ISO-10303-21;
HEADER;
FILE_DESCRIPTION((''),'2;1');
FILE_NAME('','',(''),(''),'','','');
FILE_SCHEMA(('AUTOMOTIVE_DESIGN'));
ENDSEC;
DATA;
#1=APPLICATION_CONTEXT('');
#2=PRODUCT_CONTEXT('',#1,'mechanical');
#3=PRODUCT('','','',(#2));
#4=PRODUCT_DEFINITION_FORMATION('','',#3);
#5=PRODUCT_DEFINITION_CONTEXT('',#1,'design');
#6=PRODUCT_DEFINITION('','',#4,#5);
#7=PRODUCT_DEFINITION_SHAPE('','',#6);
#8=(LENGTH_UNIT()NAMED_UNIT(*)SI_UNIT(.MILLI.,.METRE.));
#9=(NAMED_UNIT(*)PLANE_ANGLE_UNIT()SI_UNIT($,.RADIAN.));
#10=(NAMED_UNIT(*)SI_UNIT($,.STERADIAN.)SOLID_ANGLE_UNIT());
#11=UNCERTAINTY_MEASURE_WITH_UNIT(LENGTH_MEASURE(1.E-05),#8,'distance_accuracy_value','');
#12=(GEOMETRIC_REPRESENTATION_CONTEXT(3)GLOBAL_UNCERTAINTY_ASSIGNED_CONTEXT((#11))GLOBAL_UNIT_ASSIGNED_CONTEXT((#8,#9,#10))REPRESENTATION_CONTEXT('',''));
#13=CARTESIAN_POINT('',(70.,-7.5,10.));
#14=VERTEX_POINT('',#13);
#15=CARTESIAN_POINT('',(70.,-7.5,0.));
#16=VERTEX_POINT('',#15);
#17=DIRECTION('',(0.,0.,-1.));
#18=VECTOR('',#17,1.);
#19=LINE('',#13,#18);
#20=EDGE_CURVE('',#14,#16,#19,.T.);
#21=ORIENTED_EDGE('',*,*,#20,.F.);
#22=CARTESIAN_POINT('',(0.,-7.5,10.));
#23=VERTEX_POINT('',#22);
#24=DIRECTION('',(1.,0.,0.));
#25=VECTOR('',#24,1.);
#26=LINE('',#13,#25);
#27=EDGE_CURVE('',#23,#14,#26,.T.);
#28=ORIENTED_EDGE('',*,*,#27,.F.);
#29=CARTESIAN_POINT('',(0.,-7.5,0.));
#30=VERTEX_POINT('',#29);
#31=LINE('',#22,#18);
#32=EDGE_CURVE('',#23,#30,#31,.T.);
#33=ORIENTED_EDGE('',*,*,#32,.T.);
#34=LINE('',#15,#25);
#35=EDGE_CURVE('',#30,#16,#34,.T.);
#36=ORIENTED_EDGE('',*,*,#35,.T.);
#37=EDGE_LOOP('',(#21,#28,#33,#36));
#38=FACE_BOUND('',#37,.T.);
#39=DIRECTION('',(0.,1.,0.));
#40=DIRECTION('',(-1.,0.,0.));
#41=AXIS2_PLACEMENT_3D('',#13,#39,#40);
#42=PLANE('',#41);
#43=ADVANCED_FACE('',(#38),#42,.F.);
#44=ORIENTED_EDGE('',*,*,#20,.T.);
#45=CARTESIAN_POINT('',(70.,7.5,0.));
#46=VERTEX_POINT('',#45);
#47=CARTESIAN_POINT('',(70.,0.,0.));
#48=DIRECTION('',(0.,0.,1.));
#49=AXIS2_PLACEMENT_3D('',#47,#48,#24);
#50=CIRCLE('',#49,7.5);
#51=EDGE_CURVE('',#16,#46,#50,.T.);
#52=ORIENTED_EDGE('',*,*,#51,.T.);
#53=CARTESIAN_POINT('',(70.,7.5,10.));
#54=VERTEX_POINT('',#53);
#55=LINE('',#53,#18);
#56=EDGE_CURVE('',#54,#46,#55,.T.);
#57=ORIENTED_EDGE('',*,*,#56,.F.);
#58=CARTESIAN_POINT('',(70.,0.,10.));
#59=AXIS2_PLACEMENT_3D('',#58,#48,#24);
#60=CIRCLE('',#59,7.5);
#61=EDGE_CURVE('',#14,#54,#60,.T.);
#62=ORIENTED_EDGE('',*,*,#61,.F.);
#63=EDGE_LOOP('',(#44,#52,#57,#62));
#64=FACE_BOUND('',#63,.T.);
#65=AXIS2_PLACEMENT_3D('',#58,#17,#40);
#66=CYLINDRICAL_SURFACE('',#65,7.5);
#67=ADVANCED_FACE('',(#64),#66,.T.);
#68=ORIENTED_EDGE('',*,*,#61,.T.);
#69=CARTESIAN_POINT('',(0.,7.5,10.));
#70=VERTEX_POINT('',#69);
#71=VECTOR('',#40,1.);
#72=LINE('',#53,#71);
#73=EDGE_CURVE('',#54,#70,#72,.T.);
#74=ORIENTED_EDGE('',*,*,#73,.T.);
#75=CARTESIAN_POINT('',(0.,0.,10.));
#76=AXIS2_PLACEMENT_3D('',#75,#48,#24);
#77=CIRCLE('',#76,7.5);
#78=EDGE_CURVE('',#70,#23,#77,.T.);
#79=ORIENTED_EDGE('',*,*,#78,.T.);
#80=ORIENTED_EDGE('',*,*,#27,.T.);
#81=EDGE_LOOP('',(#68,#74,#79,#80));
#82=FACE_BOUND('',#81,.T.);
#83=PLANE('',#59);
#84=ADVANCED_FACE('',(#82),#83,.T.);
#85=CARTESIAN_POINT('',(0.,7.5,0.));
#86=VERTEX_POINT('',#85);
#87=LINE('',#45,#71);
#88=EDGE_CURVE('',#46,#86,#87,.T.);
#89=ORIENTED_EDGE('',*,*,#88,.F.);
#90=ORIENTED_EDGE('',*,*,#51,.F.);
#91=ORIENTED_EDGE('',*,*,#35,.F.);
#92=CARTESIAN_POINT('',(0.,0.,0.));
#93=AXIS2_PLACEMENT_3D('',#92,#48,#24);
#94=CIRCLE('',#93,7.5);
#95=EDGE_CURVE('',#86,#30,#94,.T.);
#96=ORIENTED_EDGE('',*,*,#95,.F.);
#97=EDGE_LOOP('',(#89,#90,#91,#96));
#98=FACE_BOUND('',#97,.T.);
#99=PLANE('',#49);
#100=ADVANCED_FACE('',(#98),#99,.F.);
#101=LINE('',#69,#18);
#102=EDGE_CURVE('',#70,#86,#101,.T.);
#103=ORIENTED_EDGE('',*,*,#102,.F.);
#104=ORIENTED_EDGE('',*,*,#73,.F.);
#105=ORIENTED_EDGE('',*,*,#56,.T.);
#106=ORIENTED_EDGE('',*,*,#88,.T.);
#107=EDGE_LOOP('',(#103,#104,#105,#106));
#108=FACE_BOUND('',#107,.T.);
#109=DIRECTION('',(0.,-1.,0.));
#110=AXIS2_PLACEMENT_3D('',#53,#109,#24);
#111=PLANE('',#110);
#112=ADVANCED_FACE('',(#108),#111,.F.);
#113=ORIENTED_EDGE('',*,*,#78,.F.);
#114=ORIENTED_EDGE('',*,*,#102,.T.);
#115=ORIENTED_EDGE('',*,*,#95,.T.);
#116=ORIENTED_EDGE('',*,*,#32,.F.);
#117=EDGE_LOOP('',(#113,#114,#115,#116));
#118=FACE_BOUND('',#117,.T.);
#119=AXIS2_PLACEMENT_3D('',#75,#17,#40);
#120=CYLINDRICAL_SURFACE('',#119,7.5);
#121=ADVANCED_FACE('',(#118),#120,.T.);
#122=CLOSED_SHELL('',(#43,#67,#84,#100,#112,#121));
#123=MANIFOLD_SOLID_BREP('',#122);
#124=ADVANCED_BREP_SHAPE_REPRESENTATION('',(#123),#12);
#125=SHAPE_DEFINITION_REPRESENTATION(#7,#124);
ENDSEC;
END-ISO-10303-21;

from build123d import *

# Parameters (mm, degrees)
EXTRUDE_1_DEPTH = 10


with BuildPart() as part:
    # 草图1 → 凸台-拉伸1 (new body)
    with BuildSketch(Plane.XY):
        with BuildLine():
            Line((70, -7.5), (0, -7.5))
            ThreePointArc((0, -7.5), (-7.5, 0), (0, 7.5))
            Line((0, 7.5), (70, 7.5))
            ThreePointArc((70, 7.5), (77.5, 0), (70, -7.5))
        make_face()
    extrude(amount=EXTRUDE_1_DEPTH)


solid = part.part
